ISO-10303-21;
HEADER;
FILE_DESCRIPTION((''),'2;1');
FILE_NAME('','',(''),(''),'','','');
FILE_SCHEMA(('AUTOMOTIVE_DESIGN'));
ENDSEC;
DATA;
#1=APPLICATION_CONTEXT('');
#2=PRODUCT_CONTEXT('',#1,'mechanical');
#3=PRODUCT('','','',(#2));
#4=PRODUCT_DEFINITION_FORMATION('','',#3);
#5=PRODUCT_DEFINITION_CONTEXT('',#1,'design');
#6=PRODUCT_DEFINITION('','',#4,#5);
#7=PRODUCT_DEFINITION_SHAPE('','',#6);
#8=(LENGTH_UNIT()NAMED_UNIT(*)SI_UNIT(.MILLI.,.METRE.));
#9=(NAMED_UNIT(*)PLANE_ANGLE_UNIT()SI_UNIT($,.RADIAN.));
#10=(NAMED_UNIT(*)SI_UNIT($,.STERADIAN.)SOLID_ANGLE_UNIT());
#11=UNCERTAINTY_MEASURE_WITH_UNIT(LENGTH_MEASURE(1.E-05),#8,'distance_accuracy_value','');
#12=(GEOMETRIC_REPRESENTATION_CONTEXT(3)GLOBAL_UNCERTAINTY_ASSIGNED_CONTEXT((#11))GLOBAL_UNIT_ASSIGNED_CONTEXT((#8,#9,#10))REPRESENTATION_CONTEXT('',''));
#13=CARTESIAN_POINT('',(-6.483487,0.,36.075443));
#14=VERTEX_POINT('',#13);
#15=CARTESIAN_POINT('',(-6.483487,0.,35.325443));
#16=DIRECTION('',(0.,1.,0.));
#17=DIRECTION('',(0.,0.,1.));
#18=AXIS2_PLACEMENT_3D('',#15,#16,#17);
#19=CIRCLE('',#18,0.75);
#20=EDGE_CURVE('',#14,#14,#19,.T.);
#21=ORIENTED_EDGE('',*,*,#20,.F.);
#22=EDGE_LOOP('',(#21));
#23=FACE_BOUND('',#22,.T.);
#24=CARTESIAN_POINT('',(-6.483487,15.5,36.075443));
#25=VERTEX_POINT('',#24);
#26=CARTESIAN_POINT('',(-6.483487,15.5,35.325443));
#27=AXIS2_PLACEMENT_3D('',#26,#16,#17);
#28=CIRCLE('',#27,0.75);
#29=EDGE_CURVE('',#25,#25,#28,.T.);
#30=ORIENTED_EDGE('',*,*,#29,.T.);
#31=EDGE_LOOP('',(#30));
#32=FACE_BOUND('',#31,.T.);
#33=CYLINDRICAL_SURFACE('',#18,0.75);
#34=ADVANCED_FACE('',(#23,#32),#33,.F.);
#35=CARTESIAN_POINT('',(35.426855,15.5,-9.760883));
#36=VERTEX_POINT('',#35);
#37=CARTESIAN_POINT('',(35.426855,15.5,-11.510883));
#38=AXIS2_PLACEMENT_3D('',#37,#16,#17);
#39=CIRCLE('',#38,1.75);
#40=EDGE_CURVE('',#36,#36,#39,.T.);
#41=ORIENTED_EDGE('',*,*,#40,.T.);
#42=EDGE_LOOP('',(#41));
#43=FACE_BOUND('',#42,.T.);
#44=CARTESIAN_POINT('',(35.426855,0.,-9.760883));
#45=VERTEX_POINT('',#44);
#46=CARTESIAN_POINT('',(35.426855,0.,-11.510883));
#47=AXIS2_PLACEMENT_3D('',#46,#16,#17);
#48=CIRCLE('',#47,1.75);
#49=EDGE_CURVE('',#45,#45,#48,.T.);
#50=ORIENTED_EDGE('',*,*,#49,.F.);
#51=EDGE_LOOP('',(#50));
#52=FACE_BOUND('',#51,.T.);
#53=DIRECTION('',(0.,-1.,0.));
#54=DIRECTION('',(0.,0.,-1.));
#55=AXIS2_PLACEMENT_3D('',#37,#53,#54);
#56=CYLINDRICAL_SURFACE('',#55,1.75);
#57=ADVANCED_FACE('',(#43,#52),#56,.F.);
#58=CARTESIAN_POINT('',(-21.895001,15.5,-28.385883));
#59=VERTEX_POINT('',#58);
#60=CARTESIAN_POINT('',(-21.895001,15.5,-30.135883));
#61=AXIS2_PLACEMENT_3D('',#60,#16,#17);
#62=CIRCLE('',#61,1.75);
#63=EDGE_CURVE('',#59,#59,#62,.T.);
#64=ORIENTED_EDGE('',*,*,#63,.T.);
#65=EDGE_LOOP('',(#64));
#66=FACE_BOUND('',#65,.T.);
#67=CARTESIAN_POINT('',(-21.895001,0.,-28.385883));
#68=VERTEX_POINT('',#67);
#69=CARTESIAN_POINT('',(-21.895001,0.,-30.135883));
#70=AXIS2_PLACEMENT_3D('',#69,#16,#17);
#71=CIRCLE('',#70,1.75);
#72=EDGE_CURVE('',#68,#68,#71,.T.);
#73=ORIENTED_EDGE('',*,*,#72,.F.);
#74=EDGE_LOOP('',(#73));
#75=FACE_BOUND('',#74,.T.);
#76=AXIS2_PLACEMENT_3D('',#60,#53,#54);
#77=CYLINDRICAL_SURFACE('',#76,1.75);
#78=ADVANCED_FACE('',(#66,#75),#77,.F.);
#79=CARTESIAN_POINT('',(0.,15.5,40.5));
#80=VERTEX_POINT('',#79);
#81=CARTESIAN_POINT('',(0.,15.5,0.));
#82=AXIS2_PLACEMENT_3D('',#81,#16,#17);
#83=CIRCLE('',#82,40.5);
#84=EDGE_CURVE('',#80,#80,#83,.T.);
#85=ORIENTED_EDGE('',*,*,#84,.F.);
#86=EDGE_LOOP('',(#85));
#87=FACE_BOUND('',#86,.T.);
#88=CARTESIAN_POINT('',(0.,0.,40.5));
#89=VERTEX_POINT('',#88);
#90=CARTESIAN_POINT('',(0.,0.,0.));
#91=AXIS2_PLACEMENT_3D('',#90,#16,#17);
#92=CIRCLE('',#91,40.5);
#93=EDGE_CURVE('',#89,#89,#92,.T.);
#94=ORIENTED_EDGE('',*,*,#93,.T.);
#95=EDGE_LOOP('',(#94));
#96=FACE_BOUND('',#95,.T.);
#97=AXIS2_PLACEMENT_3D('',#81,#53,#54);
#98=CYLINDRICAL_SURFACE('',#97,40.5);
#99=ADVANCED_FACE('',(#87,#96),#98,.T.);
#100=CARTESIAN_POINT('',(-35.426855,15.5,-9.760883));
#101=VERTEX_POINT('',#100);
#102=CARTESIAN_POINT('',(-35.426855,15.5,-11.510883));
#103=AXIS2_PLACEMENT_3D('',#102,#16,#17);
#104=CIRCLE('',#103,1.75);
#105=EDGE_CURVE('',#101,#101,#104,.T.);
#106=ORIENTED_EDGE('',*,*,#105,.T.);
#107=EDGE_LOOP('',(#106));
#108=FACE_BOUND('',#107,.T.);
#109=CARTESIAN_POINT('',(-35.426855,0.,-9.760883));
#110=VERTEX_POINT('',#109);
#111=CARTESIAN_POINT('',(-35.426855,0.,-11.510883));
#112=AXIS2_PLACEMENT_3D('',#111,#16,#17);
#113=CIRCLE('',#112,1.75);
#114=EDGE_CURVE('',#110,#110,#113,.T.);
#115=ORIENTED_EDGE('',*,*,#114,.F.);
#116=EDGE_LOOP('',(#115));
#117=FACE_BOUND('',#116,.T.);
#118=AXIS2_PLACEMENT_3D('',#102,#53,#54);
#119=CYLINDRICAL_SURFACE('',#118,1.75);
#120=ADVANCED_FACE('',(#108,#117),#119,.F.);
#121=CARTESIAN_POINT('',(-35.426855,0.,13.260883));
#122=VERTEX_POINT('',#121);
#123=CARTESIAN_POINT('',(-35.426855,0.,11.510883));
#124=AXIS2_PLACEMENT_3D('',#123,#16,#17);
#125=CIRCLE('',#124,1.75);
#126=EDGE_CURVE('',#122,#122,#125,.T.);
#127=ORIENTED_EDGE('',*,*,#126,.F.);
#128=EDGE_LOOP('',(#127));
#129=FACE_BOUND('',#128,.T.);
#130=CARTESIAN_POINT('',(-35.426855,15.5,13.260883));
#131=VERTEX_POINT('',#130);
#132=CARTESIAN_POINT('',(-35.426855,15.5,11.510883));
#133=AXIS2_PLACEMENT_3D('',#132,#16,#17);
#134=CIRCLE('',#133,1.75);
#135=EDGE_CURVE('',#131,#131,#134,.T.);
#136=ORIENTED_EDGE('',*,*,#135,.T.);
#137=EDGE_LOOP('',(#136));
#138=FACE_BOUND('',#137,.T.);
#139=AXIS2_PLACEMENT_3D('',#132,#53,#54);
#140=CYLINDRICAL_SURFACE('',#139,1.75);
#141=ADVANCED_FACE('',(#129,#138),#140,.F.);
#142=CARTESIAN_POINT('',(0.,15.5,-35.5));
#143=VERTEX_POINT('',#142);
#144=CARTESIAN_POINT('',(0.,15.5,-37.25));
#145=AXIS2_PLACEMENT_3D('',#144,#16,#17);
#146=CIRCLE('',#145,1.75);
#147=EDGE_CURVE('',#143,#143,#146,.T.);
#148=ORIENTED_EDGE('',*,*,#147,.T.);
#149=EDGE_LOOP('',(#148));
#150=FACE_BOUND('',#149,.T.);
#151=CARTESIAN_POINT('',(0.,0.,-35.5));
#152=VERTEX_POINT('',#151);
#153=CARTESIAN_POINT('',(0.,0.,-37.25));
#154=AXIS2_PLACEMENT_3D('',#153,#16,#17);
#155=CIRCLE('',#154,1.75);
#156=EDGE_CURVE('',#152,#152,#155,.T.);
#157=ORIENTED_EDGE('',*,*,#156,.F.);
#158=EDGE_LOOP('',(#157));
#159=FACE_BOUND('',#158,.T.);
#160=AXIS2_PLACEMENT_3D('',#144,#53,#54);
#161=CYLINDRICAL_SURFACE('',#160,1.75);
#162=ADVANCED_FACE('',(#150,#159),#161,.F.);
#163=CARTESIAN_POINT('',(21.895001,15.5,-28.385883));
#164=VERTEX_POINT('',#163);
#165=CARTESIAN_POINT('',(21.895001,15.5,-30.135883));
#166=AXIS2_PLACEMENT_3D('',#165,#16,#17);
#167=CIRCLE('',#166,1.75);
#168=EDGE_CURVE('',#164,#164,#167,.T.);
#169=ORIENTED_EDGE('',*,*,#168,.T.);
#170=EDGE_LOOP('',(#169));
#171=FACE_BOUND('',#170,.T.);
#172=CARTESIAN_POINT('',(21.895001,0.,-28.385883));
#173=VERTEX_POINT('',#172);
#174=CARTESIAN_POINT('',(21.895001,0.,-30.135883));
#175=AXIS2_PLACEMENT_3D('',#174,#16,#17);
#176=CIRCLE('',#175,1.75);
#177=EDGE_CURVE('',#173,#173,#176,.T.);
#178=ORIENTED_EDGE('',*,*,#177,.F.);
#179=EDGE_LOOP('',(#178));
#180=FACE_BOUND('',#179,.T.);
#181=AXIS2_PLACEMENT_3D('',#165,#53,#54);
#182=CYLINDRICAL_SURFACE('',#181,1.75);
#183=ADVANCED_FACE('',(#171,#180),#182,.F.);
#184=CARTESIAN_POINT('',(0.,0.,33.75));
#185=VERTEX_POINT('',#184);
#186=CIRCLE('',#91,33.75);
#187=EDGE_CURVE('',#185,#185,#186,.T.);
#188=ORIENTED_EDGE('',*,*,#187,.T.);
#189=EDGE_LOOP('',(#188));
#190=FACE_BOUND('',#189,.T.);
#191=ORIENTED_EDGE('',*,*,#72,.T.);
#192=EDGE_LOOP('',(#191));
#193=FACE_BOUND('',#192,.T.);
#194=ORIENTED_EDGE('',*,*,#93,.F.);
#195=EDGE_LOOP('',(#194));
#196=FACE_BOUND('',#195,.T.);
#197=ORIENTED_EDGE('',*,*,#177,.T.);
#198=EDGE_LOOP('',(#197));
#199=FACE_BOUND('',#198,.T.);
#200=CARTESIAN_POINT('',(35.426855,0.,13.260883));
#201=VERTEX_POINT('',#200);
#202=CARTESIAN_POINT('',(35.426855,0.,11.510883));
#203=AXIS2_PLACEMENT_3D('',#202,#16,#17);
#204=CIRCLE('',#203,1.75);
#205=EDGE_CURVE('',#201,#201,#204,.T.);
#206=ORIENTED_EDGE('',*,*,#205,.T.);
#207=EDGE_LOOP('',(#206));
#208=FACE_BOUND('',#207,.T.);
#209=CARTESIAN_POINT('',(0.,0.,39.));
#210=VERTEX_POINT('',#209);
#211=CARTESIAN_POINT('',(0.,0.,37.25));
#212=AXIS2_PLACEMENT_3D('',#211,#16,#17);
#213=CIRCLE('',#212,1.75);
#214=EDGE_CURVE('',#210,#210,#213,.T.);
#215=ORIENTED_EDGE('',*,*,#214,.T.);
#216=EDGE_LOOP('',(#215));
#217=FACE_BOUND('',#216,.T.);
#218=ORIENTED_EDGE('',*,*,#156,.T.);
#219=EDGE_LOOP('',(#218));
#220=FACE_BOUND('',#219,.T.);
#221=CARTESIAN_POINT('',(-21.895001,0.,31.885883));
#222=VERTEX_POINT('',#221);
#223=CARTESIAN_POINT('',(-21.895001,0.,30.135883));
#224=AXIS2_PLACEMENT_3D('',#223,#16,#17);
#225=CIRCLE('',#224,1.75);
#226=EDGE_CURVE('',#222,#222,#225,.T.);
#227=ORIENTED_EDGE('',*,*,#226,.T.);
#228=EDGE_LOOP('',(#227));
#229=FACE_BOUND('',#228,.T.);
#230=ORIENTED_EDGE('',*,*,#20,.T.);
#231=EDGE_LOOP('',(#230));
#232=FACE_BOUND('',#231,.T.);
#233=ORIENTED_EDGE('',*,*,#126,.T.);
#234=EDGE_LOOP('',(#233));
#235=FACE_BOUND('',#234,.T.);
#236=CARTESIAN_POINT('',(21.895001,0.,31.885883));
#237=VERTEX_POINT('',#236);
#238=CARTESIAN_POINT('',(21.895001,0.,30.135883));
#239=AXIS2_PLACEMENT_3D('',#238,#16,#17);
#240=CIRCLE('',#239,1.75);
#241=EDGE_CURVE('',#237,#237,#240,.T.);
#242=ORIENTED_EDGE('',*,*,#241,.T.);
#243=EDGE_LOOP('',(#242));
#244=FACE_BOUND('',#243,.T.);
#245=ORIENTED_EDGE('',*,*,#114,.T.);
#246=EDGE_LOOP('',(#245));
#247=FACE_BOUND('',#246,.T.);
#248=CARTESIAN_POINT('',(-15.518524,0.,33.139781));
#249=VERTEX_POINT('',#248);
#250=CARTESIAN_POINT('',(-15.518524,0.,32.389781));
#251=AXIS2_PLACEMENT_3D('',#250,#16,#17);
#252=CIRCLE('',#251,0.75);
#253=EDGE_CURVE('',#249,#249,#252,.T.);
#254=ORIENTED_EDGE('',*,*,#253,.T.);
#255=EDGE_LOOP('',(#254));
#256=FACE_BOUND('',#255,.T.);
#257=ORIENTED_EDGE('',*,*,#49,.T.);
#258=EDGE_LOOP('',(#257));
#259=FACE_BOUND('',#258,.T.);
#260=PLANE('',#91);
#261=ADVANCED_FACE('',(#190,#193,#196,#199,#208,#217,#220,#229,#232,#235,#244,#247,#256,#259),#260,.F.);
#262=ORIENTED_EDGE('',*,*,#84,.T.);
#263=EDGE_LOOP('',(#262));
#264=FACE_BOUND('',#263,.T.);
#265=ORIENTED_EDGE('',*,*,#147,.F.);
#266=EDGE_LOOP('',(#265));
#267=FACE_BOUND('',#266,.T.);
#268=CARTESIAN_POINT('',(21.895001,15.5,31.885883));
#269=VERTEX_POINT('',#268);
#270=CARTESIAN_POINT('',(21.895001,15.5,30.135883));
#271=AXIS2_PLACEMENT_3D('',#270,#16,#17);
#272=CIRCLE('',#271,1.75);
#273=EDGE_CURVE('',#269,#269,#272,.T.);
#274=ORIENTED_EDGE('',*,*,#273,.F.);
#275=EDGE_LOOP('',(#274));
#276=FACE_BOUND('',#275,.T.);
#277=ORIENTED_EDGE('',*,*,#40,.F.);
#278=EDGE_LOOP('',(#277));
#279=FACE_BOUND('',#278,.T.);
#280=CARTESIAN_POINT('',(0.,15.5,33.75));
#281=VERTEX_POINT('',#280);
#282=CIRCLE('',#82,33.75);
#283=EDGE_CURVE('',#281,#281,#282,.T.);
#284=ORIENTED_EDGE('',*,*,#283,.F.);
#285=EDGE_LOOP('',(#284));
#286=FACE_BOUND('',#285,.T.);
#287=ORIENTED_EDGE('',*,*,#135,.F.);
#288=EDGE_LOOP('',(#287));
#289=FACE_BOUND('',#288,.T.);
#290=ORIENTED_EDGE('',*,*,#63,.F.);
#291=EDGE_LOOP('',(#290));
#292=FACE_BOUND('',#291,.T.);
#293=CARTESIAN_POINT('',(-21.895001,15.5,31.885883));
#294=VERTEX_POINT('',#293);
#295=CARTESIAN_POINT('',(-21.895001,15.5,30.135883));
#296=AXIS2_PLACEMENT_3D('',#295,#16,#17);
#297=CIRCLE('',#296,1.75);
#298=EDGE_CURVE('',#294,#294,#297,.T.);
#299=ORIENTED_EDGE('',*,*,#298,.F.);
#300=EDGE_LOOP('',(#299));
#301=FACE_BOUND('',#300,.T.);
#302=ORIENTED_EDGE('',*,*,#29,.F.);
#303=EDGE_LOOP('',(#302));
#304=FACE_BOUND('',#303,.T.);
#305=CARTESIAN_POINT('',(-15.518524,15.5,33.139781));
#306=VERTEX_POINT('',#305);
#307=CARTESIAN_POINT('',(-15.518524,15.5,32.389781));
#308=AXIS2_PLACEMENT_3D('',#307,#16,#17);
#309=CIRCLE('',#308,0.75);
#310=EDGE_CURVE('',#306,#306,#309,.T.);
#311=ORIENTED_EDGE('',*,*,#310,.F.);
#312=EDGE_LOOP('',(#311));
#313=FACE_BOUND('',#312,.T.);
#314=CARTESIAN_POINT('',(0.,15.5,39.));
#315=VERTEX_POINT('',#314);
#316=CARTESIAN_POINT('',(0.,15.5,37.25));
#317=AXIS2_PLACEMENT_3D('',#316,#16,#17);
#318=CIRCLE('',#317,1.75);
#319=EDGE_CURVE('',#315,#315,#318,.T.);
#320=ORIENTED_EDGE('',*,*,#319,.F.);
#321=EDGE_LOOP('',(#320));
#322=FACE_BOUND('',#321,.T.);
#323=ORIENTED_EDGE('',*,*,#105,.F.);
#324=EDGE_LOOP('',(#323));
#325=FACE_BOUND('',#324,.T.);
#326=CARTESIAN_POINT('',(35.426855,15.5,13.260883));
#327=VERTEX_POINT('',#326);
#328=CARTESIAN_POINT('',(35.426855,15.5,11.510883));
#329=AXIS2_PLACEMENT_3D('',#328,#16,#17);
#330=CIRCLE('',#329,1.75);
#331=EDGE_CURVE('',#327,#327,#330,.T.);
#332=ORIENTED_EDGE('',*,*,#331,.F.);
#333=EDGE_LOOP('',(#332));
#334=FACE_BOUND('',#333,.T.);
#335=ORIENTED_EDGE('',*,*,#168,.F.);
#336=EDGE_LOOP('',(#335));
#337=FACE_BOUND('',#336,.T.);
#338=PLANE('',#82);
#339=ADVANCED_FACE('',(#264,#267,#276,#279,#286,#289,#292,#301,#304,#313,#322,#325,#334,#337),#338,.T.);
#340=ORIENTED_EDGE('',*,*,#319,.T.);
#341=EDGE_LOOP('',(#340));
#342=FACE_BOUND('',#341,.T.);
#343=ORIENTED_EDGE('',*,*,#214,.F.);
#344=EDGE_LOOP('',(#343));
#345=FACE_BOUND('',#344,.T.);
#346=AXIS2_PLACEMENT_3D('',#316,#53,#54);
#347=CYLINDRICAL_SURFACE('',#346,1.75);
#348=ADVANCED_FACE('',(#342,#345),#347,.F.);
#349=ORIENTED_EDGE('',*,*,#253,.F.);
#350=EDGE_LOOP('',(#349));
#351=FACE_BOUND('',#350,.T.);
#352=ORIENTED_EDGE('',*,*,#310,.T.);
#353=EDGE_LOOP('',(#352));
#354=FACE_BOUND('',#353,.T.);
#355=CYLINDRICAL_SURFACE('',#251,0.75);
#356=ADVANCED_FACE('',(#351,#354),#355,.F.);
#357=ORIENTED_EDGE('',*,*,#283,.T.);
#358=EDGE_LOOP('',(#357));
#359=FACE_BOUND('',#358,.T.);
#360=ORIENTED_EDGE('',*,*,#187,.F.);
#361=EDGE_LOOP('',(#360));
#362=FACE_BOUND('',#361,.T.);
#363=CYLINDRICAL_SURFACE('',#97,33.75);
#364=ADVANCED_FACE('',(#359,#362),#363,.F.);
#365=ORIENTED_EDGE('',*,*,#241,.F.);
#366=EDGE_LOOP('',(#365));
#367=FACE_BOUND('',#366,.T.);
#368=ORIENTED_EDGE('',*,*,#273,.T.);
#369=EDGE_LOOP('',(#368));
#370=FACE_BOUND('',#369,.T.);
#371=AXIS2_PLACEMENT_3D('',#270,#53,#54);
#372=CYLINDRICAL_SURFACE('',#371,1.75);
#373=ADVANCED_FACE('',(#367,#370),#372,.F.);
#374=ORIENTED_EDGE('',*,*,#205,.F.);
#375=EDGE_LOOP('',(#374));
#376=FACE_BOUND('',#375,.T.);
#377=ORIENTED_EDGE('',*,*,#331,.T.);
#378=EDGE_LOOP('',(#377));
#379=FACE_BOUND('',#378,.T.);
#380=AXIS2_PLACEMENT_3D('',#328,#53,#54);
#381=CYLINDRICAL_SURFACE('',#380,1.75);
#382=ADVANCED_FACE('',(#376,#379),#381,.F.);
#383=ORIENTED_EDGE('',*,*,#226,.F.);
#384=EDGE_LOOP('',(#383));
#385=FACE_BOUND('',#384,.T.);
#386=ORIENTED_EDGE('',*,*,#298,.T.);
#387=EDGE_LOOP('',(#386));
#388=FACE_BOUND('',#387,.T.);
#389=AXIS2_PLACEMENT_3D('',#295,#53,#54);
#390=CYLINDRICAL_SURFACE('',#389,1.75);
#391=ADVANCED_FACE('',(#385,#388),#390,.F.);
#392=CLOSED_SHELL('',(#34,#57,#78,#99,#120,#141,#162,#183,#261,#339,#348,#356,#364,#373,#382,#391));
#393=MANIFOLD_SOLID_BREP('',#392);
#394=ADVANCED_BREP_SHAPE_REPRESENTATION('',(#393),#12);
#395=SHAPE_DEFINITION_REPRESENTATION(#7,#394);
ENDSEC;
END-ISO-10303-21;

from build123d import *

# Parameters (mm, degrees)
SKETCH1_R           = 40.5
SKETCH1_R_2         = 1.75
SKETCH1_R_3         = 33.75
BOSS_EXTRUDE1_DEPTH = 15.5
SKETCH2_R           = 0.75
CUT_EXTRUDE1_DEPTH  = 60.335908184


with BuildPart() as part:
    # Sketch1 → Boss-Extrude1 (new body)
    with BuildSketch(Plane(origin=(0, 0, 0), x_dir=(1, 0, 0), z_dir=(0, 1, 0))):
        with Locations(Location((0, 0, 0), (0, 0, 270))):
            Circle(SKETCH1_R)
        with Locations(Location((0, 37.25, 0), (0, 0, 270))):
            Circle(SKETCH1_R_2, mode=Mode.SUBTRACT)
        with Locations(Location((21.895000648, 30.13588304, 0), (0, 0, 270))):
            Circle(SKETCH1_R_2, mode=Mode.SUBTRACT)
        with Locations(Location((35.426855232, 11.51088304, 0), (0, 0, 270))):
            Circle(SKETCH1_R_2, mode=Mode.SUBTRACT)
        with Locations(Location((35.426855232, -11.51088304, 0), (0, 0, 270))):
            Circle(SKETCH1_R_2, mode=Mode.SUBTRACT)
        with Locations(Location((21.895000648, -30.13588304, 0), (0, 0, 270))):
            Circle(SKETCH1_R_2, mode=Mode.SUBTRACT)
        with Locations(Location((0, -37.25, 0), (0, 0, 270))):
            Circle(SKETCH1_R_2, mode=Mode.SUBTRACT)
        with Locations(Location((-21.895000648, -30.13588304, 0), (0, 0, 270))):
            Circle(SKETCH1_R_2, mode=Mode.SUBTRACT)
        with Locations(Location((-35.426855232, -11.51088304, 0), (0, 0, 270))):
            Circle(SKETCH1_R_2, mode=Mode.SUBTRACT)
        with Locations(Location((-35.426855232, 11.51088304, 0), (0, 0, 270))):
            Circle(SKETCH1_R_2, mode=Mode.SUBTRACT)
        with Locations(Location((-21.895000648, 30.13588304, 0), (0, 0, 270))):
            Circle(SKETCH1_R_2, mode=Mode.SUBTRACT)
        with Locations(Location((0, 0, 0), (0, 0, 270))):
            Circle(SKETCH1_R_3, mode=Mode.SUBTRACT)
    extrude(amount=BOSS_EXTRUDE1_DEPTH)

    # Sketch2 → Cut-Extrude1 (cut, through all)
    with BuildSketch(Plane(origin=(0, 15.5, 0), x_dir=(1, 0, 0), z_dir=(0, 1, 0))):
        with Locations(Location((-6.483486619, -35.325442924, 0), (0, 0, 270))):
            Circle(SKETCH2_R)
        with Locations(Location((-15.518523524, -32.389781477, 0), (0, 0, 270))):
            Circle(SKETCH2_R)
    extrude(amount=-CUT_EXTRUDE1_DEPTH, mode=Mode.SUBTRACT)


solid = part.part
